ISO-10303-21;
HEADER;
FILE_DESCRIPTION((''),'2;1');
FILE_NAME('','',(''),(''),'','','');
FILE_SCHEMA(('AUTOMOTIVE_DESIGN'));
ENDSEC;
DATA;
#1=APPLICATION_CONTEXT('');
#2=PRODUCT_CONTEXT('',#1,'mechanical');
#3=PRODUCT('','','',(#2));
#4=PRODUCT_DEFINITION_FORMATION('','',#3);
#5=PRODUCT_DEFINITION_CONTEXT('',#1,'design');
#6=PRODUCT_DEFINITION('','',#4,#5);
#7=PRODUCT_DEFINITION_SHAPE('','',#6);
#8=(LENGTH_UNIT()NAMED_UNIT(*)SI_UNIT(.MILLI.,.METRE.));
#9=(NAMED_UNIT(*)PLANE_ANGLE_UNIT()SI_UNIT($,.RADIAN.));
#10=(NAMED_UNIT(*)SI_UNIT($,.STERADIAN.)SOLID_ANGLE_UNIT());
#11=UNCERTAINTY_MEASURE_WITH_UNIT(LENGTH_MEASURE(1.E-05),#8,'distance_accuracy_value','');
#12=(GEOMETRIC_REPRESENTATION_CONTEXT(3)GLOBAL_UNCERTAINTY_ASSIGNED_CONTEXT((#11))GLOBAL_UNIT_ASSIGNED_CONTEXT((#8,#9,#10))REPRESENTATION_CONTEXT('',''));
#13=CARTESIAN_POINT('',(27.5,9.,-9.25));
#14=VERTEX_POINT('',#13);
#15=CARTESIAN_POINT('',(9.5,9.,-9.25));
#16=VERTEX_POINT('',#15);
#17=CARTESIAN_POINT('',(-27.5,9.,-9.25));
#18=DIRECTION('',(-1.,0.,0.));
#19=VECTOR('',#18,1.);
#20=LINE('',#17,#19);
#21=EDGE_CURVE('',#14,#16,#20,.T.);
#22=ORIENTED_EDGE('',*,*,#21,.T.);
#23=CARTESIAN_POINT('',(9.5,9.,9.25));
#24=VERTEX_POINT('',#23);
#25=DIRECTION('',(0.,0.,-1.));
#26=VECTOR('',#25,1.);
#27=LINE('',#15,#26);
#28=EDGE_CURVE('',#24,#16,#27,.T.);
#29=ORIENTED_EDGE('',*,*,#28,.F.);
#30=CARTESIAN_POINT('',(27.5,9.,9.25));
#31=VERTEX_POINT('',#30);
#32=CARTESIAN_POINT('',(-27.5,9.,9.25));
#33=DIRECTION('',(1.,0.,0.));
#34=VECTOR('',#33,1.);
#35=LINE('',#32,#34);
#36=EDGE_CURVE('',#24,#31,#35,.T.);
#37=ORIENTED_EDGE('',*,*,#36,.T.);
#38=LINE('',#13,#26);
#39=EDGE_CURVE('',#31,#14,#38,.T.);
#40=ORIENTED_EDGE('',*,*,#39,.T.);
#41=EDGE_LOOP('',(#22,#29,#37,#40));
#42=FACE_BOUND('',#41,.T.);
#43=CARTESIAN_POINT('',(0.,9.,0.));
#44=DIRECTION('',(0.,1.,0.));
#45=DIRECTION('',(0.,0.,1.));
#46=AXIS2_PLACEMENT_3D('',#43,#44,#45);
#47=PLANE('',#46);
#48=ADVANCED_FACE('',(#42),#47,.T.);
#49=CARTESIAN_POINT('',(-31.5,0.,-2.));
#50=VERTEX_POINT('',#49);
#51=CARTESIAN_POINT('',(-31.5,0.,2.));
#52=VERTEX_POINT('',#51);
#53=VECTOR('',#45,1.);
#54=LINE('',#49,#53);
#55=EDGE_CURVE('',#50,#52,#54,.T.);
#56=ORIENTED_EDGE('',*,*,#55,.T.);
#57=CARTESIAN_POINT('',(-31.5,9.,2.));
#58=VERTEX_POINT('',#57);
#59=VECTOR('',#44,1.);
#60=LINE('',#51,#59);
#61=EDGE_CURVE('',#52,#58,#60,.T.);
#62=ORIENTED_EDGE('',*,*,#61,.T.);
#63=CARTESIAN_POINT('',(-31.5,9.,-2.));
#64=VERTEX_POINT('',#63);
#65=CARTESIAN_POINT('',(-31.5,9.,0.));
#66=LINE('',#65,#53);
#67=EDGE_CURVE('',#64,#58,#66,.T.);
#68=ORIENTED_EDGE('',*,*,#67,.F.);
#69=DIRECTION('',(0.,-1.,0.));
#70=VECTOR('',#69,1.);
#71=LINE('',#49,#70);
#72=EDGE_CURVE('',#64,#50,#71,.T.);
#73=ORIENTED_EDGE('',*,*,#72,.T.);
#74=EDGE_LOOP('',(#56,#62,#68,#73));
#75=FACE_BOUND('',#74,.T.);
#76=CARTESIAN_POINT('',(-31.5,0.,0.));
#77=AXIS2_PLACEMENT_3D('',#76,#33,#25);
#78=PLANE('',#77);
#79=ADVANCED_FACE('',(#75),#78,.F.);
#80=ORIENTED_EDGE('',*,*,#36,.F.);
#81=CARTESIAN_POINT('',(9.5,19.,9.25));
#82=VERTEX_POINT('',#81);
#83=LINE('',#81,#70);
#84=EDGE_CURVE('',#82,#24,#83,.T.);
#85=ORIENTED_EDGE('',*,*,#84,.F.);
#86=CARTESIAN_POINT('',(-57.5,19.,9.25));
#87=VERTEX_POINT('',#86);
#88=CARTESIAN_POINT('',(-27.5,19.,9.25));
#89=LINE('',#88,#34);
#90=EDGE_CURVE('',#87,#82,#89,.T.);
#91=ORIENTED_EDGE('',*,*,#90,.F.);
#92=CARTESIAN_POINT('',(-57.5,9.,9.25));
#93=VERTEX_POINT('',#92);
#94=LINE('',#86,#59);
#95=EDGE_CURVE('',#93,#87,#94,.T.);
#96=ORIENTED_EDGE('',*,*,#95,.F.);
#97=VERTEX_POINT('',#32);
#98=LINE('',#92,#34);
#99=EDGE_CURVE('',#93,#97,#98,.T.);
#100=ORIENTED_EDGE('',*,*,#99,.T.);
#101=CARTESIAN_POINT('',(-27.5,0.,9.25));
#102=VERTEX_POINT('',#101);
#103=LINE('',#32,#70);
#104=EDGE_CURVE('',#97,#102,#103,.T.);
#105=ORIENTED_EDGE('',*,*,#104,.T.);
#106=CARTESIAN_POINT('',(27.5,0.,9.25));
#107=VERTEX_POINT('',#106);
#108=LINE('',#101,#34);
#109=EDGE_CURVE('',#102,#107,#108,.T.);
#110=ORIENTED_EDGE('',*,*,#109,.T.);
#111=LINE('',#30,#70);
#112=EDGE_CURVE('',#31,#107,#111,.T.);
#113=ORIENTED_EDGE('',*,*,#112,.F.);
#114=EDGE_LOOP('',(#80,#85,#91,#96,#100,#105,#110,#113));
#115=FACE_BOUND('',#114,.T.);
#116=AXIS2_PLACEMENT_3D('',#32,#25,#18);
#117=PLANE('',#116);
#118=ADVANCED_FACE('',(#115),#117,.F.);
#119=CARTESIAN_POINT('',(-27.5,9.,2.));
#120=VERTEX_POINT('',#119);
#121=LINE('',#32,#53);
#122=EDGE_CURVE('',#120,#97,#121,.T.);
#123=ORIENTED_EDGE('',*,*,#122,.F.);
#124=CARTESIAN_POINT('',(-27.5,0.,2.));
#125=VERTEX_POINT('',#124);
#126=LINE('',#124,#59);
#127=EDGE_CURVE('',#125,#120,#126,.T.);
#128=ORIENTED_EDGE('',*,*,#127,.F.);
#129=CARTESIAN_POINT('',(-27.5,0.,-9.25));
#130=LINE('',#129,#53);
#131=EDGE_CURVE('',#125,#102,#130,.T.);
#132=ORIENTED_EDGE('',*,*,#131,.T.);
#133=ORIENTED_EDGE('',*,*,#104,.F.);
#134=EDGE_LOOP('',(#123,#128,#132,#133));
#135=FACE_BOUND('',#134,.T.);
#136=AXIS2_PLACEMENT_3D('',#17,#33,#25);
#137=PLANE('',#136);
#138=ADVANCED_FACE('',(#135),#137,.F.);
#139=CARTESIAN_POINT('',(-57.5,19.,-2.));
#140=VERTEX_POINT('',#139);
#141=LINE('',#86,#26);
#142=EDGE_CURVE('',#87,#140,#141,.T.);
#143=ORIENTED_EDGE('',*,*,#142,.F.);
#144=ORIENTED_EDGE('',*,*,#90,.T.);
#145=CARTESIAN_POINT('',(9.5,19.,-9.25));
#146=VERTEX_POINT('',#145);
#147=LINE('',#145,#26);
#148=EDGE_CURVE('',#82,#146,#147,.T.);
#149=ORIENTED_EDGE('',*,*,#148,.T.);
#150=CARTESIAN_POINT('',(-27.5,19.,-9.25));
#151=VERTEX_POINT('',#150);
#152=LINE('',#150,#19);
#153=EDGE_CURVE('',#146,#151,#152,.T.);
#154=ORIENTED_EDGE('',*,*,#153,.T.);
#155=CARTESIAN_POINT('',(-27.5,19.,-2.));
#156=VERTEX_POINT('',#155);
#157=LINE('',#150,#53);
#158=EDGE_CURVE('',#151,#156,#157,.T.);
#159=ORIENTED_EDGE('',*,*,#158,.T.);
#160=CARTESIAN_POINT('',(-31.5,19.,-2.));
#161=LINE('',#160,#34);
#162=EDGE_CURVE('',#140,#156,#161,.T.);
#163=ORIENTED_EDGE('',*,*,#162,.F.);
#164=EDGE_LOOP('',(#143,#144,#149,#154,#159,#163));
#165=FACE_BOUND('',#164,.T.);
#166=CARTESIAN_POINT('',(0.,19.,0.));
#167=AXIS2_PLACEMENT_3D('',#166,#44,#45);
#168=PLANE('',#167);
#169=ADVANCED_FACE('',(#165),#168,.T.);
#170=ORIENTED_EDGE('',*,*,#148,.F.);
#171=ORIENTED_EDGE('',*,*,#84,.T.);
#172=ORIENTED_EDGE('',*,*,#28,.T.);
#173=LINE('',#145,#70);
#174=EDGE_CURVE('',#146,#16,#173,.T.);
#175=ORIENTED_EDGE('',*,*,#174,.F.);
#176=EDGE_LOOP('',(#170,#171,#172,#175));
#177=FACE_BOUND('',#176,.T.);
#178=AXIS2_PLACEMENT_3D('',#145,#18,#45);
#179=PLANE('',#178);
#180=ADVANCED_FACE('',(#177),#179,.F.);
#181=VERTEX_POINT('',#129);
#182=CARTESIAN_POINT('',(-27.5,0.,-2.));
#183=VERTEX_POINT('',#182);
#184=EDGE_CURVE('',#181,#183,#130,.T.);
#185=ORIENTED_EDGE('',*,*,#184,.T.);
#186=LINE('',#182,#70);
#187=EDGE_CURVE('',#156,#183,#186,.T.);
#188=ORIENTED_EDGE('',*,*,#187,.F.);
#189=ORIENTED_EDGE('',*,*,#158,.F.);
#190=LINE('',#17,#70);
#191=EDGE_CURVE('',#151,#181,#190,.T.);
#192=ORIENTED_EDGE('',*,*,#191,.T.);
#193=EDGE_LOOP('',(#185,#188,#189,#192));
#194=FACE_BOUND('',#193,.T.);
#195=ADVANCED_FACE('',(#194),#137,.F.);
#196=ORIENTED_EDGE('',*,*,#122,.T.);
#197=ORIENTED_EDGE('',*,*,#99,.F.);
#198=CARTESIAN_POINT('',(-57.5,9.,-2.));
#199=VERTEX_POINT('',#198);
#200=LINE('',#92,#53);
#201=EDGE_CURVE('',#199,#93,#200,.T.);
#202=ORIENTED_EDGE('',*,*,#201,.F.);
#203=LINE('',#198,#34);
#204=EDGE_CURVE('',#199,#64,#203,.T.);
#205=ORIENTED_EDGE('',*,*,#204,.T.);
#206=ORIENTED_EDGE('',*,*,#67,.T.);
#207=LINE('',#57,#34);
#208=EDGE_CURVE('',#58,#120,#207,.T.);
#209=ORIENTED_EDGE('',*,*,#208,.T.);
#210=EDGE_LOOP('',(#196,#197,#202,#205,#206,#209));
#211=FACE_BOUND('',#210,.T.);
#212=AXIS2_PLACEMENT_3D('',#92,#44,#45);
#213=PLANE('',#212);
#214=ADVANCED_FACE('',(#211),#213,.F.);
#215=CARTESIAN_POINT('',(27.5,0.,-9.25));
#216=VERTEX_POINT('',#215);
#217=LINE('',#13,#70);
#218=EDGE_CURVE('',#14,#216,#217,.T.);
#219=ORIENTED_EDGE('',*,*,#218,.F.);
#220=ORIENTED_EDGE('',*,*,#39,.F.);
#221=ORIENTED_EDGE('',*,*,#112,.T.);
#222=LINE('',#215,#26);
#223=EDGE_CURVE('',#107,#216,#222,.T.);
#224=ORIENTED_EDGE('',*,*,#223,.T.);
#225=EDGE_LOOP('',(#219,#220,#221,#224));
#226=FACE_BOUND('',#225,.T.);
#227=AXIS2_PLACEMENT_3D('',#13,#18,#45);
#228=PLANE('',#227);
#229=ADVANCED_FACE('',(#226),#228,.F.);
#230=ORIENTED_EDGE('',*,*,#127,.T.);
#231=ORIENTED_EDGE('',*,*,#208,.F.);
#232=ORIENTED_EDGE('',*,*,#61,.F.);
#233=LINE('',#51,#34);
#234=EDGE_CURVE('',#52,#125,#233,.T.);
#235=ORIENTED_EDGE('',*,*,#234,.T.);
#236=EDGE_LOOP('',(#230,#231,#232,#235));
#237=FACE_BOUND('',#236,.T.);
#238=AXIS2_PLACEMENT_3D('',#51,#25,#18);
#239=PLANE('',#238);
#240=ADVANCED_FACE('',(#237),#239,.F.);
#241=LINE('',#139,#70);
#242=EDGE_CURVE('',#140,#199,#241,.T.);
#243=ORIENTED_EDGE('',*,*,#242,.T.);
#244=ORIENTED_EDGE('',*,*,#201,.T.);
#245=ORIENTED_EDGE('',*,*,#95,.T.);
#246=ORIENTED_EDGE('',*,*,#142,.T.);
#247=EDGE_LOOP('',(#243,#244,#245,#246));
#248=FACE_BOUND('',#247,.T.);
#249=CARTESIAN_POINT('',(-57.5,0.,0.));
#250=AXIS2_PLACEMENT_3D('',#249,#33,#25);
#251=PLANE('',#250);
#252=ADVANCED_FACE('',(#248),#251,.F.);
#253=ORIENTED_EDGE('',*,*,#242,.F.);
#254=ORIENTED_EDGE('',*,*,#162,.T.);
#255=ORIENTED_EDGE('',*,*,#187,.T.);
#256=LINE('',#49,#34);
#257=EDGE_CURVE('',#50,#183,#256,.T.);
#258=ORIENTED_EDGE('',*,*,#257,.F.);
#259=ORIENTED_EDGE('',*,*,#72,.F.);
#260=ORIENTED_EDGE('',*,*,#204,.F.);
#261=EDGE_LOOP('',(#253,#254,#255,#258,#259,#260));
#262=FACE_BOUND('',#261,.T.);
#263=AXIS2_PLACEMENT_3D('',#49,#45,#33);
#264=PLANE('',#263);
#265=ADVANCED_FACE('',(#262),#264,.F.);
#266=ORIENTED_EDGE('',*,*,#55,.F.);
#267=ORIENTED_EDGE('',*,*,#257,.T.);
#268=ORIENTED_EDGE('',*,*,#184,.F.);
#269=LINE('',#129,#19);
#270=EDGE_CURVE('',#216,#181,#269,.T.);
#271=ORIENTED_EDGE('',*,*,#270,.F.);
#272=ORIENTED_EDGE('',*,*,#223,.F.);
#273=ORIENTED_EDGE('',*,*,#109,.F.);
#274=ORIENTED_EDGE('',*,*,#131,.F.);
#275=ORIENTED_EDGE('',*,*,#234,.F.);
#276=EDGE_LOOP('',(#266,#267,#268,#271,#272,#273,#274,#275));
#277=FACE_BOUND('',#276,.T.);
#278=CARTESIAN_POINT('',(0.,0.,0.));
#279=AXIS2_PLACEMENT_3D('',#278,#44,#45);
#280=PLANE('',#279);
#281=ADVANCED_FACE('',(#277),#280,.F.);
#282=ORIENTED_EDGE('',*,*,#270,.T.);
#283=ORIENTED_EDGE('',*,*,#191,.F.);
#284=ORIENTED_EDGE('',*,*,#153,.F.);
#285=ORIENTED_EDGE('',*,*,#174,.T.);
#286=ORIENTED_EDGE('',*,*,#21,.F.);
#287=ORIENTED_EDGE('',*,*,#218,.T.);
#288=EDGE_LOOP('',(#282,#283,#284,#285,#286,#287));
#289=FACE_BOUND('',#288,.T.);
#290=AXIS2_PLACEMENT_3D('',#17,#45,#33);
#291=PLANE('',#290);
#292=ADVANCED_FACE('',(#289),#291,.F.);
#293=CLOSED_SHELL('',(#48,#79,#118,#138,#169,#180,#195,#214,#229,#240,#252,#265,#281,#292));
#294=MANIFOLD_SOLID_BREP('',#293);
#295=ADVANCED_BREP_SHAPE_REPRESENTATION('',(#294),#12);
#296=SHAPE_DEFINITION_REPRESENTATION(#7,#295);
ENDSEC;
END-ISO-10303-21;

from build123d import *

# Parameters (mm, degrees)
SKETCH1_W           = 55
SKETCH1_H           = 18.5
BOSS_EXTRUDE1_DEPTH = 9
SKETCH2_W           = 37
SKETCH2_H           = 18.5
BOSS_EXTRUDE2_DEPTH = 10
SKETCH3_W           = 4
SKETCH3_H           = 19
BOSS_EXTRUDE3_DEPTH = 4
SKETCH4_W           = 11.25
SKETCH4_H           = 10
BOSS_EXTRUDE4_DEPTH = 30


with BuildPart() as part:
    # Sketch1 → Boss-Extrude1 (new body)
    with BuildSketch(Plane(origin=(0, 0, 0), x_dir=(1, 0, 0), z_dir=(0, 1, 0))):
        Rectangle(SKETCH1_W, SKETCH1_H)
    extrude(amount=BOSS_EXTRUDE1_DEPTH)

    # Sketch2 → Boss-Extrude2 (add)
    with BuildSketch(Plane(origin=(0, 9, 0), x_dir=(1, 0, 0), z_dir=(0, 1, 0))):
        with Locations((-9, 0)):
            Rectangle(SKETCH2_W, SKETCH2_H)
    extrude(amount=BOSS_EXTRUDE2_DEPTH)

    # Sketch3 → Boss-Extrude3 (add)
    with BuildSketch(Plane.ZY.offset(27.5)):
        with Locations((0, 9.5)):
            Rectangle(SKETCH3_W, SKETCH3_H)
    extrude(amount=BOSS_EXTRUDE3_DEPTH)

    # Sketch4 → Boss-Extrude4 (add)
    with BuildSketch(Plane.ZY.offset(27.5)):
        with Locations((3.625, 14)):
            Rectangle(SKETCH4_W, SKETCH4_H)
    extrude(amount=BOSS_EXTRUDE4_DEPTH)


solid = part.part
